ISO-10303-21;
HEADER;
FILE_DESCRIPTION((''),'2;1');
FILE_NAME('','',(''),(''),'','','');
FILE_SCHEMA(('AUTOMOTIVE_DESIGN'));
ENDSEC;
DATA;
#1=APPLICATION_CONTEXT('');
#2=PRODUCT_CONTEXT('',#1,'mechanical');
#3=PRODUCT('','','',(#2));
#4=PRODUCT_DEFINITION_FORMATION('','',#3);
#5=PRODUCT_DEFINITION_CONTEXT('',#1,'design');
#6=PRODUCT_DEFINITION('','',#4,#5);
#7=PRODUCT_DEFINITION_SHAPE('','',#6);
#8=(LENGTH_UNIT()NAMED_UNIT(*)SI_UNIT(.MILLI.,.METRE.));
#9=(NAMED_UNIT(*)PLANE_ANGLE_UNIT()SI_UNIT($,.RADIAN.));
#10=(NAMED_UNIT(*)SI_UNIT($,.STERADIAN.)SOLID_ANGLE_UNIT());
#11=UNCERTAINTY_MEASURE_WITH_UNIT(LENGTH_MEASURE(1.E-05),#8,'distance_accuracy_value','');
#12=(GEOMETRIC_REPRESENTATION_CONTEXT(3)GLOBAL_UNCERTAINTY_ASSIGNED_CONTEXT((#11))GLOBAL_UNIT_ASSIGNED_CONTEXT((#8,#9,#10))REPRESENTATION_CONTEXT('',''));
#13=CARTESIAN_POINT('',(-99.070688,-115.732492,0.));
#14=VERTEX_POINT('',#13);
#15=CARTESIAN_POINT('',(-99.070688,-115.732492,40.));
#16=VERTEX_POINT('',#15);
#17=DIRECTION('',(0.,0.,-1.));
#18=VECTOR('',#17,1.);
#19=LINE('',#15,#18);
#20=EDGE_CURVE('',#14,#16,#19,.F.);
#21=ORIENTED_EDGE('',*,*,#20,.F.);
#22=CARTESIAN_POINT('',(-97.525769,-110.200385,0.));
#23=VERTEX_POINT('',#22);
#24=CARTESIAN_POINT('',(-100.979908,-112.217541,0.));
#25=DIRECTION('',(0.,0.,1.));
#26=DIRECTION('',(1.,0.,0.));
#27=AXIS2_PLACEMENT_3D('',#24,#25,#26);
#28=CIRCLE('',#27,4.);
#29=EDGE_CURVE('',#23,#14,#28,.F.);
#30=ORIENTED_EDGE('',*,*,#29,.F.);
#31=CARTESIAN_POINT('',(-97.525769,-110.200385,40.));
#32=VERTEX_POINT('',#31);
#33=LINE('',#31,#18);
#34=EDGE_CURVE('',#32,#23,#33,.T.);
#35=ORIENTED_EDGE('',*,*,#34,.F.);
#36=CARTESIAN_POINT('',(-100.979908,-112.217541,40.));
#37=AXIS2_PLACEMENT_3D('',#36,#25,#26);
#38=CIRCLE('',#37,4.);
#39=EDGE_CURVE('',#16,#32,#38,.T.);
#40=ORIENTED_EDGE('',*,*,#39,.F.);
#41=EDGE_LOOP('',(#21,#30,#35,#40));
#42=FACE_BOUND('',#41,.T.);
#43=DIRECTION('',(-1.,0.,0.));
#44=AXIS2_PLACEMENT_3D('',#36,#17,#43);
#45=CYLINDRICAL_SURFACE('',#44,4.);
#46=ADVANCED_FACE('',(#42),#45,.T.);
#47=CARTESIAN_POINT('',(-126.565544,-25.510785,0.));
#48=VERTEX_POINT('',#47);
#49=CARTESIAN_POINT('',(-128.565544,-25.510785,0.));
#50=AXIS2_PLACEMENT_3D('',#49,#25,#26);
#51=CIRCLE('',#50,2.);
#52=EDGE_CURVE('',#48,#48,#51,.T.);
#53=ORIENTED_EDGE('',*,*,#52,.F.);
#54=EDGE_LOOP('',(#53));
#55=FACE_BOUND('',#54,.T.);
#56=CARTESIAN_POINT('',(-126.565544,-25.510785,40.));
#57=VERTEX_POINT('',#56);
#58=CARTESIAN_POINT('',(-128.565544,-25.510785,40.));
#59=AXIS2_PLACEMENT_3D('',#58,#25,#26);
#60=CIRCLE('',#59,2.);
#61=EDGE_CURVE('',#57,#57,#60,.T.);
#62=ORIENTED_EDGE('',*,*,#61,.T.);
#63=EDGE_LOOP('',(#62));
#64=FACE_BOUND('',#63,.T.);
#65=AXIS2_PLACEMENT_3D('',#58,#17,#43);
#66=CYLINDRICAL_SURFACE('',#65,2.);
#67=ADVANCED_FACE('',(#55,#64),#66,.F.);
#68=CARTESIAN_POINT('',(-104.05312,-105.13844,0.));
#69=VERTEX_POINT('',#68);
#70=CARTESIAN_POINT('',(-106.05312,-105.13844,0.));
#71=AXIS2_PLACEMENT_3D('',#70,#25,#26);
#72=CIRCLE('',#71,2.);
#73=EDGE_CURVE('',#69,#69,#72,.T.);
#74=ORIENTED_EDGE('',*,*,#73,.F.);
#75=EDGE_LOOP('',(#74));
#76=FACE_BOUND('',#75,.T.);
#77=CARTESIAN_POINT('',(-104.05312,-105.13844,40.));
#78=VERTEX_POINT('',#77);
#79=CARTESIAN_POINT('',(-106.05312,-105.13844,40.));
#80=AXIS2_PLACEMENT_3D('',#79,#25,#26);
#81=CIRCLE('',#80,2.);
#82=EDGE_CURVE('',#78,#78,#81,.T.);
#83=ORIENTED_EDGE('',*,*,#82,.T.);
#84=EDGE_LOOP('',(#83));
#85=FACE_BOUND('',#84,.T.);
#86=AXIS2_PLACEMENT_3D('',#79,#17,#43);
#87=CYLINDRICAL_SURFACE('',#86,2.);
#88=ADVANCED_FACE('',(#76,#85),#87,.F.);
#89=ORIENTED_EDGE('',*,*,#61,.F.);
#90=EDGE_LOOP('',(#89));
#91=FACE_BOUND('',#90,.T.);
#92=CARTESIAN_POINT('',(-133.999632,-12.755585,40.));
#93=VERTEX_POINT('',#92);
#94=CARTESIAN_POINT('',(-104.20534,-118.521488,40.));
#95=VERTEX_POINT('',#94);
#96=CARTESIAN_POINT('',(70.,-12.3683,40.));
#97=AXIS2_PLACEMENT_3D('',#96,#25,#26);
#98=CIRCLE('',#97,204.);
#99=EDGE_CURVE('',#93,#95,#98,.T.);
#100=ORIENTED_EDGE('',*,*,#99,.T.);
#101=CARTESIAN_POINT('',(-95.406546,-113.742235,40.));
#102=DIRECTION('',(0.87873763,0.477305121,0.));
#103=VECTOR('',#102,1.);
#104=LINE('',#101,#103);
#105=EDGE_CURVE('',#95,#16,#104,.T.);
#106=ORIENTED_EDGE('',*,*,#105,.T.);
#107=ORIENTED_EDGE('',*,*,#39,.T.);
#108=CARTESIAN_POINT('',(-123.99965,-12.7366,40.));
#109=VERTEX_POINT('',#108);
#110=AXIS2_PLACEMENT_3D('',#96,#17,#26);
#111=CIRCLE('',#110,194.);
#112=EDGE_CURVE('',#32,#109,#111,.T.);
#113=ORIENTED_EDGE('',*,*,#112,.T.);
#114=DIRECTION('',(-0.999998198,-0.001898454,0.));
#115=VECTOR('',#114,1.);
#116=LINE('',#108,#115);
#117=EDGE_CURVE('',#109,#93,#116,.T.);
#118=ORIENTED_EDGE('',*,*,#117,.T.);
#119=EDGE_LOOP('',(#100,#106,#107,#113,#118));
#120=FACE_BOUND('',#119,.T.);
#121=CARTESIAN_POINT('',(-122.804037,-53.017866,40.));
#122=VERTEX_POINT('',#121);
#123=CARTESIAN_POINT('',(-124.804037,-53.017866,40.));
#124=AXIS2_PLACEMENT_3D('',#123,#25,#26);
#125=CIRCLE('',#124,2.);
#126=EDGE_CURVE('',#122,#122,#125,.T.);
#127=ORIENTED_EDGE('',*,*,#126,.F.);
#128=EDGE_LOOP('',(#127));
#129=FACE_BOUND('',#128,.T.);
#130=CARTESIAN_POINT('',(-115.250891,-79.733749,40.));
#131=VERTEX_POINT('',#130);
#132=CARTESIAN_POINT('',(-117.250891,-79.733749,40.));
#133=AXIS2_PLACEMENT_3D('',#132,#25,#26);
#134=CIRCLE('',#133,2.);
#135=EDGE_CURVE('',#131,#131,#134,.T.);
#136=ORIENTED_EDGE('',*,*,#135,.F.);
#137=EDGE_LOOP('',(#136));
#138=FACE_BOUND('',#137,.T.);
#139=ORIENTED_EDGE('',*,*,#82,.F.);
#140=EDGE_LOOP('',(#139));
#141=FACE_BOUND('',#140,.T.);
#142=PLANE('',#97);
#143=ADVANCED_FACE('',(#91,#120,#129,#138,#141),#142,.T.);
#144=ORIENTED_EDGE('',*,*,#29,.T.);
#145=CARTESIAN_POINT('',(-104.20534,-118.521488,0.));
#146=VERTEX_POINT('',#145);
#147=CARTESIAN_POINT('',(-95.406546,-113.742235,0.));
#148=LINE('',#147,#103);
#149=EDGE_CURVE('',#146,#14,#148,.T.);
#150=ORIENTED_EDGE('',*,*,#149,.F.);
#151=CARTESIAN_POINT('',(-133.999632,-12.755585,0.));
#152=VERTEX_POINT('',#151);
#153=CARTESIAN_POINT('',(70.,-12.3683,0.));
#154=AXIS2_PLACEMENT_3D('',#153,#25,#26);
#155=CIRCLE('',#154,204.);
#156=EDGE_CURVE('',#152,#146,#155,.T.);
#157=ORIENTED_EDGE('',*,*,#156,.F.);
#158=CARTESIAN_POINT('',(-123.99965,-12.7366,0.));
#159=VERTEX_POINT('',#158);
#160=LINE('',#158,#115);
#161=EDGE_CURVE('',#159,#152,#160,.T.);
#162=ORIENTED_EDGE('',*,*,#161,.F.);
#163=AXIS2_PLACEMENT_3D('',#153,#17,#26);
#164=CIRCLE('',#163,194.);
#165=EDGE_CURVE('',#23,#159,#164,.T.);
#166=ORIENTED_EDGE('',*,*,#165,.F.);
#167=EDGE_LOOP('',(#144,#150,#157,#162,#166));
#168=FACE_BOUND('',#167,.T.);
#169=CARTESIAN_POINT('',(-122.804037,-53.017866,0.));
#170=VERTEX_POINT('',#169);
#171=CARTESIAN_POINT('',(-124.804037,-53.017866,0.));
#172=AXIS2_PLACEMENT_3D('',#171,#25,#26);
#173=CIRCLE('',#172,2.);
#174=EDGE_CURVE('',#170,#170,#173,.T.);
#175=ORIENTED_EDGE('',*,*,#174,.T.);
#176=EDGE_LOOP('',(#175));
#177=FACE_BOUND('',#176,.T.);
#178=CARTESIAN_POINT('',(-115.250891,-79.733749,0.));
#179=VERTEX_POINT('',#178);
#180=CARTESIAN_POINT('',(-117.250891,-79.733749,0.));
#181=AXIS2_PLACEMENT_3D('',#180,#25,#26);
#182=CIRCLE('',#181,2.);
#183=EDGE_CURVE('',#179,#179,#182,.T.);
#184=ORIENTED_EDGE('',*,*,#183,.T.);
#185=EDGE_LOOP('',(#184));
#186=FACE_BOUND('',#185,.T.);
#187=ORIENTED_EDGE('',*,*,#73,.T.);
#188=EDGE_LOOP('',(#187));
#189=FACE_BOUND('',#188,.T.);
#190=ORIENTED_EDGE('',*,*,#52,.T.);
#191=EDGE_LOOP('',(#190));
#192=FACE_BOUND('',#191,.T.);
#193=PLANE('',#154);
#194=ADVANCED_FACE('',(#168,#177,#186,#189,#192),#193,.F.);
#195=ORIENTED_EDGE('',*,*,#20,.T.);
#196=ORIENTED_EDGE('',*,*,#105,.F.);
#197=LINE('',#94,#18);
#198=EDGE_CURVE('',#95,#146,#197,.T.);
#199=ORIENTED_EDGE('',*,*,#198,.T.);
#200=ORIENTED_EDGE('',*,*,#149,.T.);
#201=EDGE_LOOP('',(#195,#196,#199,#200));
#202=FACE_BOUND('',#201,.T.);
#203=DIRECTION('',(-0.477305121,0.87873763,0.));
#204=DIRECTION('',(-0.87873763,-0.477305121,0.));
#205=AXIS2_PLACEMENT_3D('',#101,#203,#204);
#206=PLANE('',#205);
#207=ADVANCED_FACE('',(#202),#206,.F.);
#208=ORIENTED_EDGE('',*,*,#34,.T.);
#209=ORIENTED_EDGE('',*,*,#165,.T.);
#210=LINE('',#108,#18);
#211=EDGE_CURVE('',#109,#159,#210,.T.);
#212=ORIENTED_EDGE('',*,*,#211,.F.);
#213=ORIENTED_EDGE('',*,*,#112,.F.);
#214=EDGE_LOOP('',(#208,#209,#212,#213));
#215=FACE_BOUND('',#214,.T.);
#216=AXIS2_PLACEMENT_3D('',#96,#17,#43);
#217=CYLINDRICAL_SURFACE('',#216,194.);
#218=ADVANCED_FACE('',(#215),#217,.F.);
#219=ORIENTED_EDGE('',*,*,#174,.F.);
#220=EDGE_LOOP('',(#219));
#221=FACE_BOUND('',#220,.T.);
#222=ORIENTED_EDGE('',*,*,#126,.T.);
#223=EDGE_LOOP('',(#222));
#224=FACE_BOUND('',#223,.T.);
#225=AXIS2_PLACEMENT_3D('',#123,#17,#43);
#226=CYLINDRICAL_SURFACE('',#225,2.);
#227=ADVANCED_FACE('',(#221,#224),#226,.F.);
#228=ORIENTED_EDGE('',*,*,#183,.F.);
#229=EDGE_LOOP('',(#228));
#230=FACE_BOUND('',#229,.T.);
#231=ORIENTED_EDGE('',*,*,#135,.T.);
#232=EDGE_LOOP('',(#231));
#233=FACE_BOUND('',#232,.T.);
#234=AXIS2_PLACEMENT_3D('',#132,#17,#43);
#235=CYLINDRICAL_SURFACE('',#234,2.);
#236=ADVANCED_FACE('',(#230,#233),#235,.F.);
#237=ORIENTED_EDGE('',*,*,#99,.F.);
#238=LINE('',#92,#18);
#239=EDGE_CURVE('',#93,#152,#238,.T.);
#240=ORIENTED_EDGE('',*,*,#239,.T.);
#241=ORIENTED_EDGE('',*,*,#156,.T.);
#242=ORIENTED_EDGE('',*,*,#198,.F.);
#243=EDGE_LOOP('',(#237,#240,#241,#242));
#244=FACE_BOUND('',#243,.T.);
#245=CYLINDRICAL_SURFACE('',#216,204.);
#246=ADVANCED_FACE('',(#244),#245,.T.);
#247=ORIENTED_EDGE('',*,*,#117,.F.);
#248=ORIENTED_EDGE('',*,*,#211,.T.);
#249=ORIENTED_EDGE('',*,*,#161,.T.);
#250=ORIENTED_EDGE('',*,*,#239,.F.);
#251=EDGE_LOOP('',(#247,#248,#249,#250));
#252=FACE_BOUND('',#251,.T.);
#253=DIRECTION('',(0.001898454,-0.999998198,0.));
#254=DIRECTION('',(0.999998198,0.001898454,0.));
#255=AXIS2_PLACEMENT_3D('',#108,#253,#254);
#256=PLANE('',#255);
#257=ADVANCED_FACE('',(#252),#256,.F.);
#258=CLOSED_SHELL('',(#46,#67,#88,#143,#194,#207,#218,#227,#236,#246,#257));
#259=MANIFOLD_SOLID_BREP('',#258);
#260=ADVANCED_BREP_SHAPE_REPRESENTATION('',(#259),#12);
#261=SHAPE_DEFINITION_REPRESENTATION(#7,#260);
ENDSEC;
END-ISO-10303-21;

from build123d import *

# Parameters (mm, degrees)
SKETCH1_R           = 2
BOSS_EXTRUDE1_DEPTH = 40
FILLET1_R           = 4


with BuildPart() as part:
    # Sketch1 → Boss-Extrude1 (new body)
    with BuildSketch(Plane.XY):
        with BuildLine():
            Line((-123.999650399, -12.7366), (-133.999632379, -12.755584536))
            ThreePointArc((-133.999632379, -12.755584536), (-126.357727013, -67.682340192), (-104.205340418, -118.521488224))
            Line((-104.205340418, -118.521488224), (-95.406545634, -113.742234823))
            ThreePointArc((-95.406545634, -113.742234823), (-116.664774404, -65.210158377), (-123.999650399, -12.7366))
        make_face()
        with Locations((-128.565543545, -25.510785173)):
            Circle(SKETCH1_R, mode=Mode.SUBTRACT)
        with Locations((-124.80403691, -53.01786585)):
            Circle(SKETCH1_R, mode=Mode.SUBTRACT)
        with Locations((-117.250891281, -79.733748965)):
            Circle(SKETCH1_R, mode=Mode.SUBTRACT)
        with Locations((-106.053120049, -105.138440244)):
            Circle(SKETCH1_R, mode=Mode.SUBTRACT)
    extrude(amount=BOSS_EXTRUDE1_DEPTH)

    # Fillet1
    fillet1_edges = [part.edges().sort_by_distance(p)[0] for p in [
        (-95.406545634, -113.742234823, 20),
    ]]
    fillet(fillet1_edges, radius=FILLET1_R)


solid = part.part
